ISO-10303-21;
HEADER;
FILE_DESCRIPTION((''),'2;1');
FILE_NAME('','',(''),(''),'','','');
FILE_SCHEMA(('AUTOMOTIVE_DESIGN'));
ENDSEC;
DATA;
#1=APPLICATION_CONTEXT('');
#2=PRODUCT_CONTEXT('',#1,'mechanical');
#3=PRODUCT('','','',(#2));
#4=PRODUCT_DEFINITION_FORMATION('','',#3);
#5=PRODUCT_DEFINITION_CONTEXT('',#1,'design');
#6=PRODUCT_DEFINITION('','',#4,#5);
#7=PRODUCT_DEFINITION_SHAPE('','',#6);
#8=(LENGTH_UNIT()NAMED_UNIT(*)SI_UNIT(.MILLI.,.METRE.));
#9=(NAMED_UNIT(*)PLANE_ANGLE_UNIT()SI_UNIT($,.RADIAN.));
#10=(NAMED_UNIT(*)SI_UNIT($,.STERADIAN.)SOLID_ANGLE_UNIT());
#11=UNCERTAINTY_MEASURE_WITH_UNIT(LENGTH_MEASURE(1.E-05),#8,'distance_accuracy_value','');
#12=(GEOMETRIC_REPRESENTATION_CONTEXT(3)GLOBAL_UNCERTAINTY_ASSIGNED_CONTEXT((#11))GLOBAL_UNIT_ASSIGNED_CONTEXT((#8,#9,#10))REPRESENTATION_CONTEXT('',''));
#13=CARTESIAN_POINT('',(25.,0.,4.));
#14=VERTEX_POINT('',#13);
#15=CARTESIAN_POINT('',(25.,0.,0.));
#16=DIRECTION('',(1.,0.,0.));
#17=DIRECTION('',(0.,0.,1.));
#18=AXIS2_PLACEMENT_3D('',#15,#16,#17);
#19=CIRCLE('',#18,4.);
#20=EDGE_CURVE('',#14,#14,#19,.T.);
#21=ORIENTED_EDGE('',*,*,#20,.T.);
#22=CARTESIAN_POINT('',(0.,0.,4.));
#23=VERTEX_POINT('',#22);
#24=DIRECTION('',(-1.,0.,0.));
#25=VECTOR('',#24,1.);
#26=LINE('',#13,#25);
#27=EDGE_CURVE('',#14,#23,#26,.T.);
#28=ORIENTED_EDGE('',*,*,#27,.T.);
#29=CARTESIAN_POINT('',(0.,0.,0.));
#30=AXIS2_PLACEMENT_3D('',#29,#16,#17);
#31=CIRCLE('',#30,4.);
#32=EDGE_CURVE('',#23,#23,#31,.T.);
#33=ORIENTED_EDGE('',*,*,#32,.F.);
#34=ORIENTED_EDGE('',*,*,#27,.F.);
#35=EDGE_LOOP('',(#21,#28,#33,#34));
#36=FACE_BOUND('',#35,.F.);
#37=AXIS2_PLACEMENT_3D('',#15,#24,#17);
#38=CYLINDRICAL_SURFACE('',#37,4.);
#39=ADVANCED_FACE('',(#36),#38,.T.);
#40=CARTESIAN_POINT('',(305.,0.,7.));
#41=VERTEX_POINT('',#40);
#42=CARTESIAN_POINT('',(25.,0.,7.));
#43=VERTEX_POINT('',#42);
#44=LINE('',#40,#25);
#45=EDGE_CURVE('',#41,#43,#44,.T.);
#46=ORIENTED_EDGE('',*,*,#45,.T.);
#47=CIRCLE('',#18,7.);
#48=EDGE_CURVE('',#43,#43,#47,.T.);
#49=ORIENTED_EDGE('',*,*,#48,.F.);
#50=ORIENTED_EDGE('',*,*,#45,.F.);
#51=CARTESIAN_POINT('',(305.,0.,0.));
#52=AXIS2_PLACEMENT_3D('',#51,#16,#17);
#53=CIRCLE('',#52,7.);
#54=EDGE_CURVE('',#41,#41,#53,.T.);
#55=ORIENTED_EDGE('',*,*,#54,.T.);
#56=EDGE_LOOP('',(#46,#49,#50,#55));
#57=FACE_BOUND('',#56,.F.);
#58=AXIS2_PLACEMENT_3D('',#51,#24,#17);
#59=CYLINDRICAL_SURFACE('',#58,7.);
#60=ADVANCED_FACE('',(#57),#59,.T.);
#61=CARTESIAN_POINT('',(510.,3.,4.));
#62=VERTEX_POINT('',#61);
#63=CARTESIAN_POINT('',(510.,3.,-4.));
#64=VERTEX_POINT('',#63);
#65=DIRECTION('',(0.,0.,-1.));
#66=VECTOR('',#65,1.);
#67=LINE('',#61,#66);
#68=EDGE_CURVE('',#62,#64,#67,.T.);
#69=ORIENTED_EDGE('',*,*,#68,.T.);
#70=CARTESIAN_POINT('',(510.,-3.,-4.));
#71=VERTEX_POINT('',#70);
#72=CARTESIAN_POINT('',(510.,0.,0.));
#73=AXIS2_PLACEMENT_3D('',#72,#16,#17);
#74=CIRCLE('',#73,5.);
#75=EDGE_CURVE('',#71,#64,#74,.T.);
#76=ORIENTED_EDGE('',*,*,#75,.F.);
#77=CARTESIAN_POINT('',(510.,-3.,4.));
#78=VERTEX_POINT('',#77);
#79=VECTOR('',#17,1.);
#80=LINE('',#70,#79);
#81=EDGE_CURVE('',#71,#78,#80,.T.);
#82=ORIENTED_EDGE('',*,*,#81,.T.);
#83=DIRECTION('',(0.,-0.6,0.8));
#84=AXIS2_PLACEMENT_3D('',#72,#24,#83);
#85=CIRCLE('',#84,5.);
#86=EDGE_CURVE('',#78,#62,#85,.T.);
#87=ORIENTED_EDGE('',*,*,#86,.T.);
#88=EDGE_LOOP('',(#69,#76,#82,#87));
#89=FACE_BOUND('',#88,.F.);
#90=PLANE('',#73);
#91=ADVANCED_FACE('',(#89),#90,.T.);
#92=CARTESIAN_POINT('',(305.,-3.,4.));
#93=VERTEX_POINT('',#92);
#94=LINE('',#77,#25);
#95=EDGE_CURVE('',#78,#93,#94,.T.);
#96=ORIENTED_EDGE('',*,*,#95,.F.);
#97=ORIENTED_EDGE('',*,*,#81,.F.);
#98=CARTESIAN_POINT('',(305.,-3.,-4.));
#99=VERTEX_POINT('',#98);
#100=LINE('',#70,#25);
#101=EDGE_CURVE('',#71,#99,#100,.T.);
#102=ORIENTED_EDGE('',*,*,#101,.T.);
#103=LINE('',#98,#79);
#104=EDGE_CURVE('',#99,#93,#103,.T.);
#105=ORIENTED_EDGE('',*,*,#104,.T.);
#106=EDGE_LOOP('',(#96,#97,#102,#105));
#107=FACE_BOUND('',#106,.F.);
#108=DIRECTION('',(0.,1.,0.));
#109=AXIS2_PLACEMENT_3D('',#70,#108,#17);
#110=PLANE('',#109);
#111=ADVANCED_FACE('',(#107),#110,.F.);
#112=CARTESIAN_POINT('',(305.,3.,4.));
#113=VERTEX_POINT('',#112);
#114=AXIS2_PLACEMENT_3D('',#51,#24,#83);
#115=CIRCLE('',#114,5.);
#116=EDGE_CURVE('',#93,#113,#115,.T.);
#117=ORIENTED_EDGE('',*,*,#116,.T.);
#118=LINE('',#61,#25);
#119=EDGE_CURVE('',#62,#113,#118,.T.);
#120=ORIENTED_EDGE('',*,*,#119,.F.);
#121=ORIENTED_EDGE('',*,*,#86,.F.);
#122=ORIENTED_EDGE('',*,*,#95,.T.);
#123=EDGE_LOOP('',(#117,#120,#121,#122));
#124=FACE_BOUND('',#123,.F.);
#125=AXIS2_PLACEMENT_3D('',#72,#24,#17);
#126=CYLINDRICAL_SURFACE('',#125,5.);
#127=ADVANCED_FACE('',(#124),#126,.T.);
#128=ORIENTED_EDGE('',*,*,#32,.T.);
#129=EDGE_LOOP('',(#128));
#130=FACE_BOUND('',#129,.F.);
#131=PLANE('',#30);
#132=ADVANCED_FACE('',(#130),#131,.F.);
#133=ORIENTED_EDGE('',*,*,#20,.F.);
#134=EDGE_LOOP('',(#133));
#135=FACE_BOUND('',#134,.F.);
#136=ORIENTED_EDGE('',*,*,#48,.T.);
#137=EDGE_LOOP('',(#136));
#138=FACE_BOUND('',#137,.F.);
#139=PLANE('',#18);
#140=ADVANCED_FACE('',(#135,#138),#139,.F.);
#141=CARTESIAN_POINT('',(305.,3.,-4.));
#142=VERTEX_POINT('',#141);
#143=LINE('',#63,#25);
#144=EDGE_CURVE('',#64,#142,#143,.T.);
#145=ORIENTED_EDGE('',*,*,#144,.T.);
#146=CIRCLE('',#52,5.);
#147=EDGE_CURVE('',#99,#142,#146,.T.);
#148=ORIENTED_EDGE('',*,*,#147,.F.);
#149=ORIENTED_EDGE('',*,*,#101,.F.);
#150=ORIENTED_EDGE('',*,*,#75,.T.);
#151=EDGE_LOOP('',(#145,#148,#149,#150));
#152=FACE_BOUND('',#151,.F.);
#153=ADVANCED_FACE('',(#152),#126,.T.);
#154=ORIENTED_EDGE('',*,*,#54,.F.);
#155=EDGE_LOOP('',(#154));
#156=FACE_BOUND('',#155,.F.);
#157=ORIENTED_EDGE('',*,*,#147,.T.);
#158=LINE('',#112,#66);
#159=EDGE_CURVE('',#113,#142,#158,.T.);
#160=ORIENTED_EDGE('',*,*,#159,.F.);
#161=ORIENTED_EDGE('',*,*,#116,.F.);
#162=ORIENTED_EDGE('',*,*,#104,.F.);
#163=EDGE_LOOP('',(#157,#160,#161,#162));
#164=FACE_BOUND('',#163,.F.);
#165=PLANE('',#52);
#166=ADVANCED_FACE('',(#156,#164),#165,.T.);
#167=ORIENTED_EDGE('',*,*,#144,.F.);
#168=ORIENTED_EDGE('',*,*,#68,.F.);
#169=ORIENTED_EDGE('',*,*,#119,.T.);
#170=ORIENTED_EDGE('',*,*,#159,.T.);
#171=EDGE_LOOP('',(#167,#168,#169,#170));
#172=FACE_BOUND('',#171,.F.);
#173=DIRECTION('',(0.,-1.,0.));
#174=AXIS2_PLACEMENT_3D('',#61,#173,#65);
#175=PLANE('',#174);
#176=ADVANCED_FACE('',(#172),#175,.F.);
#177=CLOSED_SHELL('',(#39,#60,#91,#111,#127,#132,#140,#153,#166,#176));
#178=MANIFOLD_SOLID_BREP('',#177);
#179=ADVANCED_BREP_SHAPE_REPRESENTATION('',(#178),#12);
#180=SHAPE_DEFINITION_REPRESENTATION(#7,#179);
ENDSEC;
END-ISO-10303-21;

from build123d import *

# Parameters (mm, degrees)
F3_DEPTH = 205


with BuildPart() as f1:
    # F0 (on Front) → F1 (revolve)
    with BuildSketch(Plane.XZ):
        Polygon((0, 4), (0, 0), (510, 0), (510, 5), (305, 5), (305, 7), (25, 7), (25, 4), align=None)
    revolve(axis=Axis((255, 0, 0), (1, 0, 0)))

    # F2 (on face) → F3 (cut)
    with BuildSketch(Plane.YZ.offset(510)):
        with BuildLine():
            ThreePointArc((-3, 4), (-5, 0), (-3, -4))
            Line((-3, -4), (-3, 4))
        make_face()
        with BuildLine():
            Line((3, 4), (3, -4))
            ThreePointArc((3, -4), (4.472136, -2.236068), (5, 0))
            ThreePointArc((5, 0), (4.472136, 2.236068), (3, 4))
        make_face()
    extrude(amount=-F3_DEPTH, mode=Mode.SUBTRACT)


solid = f1.part
